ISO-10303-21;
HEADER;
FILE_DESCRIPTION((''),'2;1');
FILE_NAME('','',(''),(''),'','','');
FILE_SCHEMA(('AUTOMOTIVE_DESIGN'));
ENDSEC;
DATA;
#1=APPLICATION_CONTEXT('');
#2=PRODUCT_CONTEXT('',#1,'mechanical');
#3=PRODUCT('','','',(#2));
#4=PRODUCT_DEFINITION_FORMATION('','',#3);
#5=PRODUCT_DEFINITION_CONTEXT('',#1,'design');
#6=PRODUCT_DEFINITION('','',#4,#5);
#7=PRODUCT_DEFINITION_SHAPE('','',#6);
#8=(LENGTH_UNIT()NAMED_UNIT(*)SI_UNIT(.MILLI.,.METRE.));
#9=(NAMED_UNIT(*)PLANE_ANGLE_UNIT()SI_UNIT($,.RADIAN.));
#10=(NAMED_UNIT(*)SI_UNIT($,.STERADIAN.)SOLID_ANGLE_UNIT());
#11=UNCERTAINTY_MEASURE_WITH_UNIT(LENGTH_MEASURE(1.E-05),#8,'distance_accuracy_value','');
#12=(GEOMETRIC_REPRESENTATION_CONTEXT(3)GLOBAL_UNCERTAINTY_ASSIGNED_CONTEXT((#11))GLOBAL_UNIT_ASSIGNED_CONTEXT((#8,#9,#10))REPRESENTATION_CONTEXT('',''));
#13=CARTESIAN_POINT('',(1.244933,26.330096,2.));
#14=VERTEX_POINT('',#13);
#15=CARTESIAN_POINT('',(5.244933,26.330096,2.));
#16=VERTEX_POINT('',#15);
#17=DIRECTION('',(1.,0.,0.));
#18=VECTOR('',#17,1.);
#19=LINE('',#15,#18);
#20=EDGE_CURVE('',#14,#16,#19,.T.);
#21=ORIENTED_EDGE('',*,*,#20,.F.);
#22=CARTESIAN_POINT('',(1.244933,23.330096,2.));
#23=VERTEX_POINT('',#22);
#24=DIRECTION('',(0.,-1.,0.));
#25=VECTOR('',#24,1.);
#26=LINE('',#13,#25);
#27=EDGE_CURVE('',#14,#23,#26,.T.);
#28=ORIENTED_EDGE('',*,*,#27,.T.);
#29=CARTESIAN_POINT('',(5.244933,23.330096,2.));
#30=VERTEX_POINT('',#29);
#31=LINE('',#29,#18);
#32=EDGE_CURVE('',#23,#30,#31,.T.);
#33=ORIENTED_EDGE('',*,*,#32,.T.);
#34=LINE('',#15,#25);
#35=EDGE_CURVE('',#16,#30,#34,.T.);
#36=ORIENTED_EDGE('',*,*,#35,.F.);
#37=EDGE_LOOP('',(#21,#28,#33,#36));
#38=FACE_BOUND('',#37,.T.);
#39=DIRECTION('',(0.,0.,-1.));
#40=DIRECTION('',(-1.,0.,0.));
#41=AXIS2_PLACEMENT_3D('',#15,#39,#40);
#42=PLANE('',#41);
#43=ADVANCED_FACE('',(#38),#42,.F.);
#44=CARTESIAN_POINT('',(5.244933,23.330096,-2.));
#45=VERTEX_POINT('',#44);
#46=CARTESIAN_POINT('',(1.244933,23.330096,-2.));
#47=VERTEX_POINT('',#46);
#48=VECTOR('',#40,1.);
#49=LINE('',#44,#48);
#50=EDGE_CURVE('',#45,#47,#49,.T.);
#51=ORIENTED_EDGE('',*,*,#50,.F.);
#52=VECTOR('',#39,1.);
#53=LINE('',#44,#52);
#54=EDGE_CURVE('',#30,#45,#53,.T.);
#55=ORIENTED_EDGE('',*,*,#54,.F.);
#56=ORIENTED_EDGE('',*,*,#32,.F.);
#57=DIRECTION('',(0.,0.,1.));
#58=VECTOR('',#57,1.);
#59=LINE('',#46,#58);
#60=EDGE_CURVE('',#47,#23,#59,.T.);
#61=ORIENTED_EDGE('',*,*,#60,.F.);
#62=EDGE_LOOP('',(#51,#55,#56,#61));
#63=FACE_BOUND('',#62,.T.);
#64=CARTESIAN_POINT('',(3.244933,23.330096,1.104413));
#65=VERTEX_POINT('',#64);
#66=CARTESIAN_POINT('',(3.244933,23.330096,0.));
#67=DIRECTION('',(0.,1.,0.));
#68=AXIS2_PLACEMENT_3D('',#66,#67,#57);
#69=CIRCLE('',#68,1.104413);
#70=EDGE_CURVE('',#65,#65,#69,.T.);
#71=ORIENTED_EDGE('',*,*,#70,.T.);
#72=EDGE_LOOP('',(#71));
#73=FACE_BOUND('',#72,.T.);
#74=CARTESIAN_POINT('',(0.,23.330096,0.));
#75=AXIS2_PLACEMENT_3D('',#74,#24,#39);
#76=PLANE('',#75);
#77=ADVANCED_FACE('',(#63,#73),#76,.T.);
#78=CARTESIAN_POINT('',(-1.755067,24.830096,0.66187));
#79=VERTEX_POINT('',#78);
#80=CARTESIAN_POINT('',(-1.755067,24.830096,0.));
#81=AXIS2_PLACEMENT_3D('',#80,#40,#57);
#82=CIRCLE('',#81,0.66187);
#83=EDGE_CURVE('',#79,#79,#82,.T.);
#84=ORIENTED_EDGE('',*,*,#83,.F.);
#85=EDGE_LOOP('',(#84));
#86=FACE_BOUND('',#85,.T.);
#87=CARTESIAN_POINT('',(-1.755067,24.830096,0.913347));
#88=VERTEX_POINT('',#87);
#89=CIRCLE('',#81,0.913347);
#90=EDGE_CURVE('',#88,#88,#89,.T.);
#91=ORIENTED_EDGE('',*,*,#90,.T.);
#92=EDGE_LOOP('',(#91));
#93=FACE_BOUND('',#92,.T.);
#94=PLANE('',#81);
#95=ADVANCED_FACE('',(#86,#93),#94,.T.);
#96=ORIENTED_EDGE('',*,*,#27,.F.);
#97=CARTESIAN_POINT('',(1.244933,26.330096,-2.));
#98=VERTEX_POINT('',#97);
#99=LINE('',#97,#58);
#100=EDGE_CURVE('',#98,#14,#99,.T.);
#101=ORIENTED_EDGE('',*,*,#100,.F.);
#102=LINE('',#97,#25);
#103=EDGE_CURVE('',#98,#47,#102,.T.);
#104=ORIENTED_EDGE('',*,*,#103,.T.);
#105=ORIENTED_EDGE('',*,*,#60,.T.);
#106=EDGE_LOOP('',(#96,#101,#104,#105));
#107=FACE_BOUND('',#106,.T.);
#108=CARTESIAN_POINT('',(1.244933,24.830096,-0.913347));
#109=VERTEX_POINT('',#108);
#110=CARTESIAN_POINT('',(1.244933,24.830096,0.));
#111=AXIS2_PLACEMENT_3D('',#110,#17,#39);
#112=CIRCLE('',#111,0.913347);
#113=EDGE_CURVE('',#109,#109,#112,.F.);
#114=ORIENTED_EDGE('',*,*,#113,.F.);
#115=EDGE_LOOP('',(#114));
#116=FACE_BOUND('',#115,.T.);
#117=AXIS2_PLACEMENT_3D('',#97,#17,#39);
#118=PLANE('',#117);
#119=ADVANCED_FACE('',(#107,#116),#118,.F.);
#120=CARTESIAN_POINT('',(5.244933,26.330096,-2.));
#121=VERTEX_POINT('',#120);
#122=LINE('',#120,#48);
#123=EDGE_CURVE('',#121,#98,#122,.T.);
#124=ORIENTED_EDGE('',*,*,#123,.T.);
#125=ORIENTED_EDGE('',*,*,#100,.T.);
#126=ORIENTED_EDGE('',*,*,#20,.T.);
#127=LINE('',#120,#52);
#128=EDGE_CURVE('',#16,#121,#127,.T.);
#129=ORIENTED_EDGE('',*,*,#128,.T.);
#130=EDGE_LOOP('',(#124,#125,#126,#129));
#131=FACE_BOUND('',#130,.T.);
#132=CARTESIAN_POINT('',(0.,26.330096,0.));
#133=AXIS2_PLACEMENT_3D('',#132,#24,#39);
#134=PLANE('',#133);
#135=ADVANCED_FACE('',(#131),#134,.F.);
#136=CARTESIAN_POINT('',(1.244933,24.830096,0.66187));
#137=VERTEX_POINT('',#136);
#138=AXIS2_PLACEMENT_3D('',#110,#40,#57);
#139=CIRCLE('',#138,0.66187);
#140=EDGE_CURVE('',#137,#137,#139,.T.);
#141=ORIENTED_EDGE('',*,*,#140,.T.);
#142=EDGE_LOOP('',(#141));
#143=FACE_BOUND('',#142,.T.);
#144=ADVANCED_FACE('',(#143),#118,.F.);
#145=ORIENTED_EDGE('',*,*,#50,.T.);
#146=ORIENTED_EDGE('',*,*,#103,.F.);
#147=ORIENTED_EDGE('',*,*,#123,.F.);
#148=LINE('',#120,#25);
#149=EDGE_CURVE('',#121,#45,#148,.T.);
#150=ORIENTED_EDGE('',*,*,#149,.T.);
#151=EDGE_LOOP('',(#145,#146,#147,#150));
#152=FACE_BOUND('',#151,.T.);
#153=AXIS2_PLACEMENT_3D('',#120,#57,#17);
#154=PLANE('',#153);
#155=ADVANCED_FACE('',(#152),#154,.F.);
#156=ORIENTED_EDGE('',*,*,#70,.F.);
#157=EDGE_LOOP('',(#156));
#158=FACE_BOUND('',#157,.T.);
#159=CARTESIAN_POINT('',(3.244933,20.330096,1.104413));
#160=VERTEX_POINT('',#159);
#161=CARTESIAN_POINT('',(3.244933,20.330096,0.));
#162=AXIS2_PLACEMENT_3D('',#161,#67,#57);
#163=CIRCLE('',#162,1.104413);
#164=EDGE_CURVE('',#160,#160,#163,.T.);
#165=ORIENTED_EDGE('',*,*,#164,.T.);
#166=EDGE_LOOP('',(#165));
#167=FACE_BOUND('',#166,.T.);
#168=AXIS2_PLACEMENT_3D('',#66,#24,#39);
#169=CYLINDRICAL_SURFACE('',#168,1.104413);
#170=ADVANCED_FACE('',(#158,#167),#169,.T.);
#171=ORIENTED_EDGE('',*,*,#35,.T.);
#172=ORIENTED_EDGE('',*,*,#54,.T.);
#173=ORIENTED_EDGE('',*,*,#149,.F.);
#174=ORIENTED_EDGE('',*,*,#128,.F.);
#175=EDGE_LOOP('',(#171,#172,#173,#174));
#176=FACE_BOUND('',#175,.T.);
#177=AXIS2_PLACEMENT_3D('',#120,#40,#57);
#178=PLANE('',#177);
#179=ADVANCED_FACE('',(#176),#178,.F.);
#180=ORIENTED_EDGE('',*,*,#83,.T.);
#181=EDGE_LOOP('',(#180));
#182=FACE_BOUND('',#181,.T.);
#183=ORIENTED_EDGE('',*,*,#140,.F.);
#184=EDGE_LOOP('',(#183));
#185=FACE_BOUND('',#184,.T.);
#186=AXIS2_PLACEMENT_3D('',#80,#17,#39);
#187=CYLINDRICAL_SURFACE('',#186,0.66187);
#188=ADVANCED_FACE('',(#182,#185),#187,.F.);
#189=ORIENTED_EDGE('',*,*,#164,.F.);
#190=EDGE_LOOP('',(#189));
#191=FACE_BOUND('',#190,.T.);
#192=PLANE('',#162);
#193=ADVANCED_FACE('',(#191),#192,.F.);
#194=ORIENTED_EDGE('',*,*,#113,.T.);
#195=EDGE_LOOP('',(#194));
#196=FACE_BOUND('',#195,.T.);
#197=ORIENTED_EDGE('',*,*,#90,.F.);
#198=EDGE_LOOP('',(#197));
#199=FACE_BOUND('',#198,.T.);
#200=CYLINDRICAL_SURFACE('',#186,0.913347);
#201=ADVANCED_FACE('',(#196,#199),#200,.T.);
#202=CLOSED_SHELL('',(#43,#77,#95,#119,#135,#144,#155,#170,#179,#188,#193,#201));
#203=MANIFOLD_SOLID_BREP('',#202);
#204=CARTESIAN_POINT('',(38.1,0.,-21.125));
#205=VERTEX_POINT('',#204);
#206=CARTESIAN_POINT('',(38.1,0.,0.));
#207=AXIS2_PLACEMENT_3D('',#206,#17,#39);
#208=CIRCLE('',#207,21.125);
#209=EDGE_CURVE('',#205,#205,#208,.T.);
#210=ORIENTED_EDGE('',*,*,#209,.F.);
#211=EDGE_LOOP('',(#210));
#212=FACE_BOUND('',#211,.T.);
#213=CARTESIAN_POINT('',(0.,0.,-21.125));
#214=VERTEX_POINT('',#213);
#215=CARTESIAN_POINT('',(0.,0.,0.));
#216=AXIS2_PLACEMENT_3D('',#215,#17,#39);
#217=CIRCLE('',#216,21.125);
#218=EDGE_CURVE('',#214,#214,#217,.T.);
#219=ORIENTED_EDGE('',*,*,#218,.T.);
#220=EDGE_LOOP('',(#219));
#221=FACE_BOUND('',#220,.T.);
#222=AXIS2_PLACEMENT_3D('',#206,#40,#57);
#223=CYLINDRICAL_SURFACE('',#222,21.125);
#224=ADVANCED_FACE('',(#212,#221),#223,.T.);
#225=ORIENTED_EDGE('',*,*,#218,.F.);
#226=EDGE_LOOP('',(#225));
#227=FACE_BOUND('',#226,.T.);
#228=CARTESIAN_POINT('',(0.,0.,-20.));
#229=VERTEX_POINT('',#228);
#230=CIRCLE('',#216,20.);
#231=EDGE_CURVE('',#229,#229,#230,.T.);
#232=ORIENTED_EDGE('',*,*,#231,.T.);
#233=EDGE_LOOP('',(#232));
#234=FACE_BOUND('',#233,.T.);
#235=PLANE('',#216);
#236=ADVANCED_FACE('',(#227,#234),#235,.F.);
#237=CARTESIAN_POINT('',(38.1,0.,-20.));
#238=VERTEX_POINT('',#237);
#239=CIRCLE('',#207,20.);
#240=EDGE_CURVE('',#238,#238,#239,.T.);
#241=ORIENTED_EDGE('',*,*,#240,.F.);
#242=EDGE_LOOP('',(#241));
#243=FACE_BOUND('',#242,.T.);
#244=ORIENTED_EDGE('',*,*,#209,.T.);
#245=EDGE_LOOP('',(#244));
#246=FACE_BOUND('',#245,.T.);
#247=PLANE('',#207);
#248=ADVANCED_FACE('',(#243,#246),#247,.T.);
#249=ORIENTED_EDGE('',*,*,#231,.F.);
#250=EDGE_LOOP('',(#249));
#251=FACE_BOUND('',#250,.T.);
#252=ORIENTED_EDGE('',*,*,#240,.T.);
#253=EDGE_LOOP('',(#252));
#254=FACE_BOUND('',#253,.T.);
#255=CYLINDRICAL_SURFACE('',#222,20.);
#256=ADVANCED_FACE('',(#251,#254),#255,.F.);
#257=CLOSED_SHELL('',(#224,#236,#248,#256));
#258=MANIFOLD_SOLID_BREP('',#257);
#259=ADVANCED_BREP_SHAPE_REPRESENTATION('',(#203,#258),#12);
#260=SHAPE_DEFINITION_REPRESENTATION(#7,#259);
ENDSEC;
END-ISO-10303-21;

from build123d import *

# Parameters (mm, degrees)
SKETCH1_R           = 21.125
SKETCH1_R_2         = 20
BOSS_EXTRUDE1_DEPTH = 38.1
SKETCH2_R           = 1.104412627
BOSS_EXTRUDE2_DEPTH = 3
SKETCH3_W           = 4
SKETCH3_H           = 4
BOSS_EXTRUDE3_DEPTH = 3
SKETCH4_R           = 0.913347132
SKETCH4_R_2         = 0.661870058
BOSS_EXTRUDE4_DEPTH = 3


with BuildPart() as part:
    # Sketch1 → Boss-Extrude1 (new body)
    with BuildSketch(Plane(origin=(0, 0, 0), x_dir=(0, 0, -1), z_dir=(1, 0, 0))):
        Circle(SKETCH1_R)
        Circle(SKETCH1_R_2, mode=Mode.SUBTRACT)
    extrude(amount=BOSS_EXTRUDE1_DEPTH)


with BuildPart() as body_2:
    # Sketch2 → Boss-Extrude2 (new body)
    with BuildSketch(Plane(origin=(0, 20.330096143, 0), x_dir=(1, 0, 0), z_dir=(0, 1, 0))):
        with Locations(Location((3.244933056, 0, 0), (0, 0, 270))):
            Circle(SKETCH2_R)
    extrude(amount=BOSS_EXTRUDE2_DEPTH)

    # Sketch3 → Boss-Extrude3 (add)
    with BuildSketch(Plane(origin=(0, 23.330096143, 0), x_dir=(1, 0, 0), z_dir=(0, 1, 0))):
        with Locations((3.244933056, 0)):
            Rectangle(SKETCH3_W, SKETCH3_H)
    extrude(amount=BOSS_EXTRUDE3_DEPTH)

    # Sketch4 → Boss-Extrude4 (add)
    with BuildSketch(Plane.ZY.offset(-1.244933056)):
        with Locations(Location((0, 24.83009614, 0), (0, 0, 180))):
            Circle(SKETCH4_R)
        with Locations((0, 24.83009614)):
            Circle(SKETCH4_R_2, mode=Mode.SUBTRACT)
    extrude(amount=BOSS_EXTRUDE4_DEPTH)


solid = Compound([part.part, body_2.part])
